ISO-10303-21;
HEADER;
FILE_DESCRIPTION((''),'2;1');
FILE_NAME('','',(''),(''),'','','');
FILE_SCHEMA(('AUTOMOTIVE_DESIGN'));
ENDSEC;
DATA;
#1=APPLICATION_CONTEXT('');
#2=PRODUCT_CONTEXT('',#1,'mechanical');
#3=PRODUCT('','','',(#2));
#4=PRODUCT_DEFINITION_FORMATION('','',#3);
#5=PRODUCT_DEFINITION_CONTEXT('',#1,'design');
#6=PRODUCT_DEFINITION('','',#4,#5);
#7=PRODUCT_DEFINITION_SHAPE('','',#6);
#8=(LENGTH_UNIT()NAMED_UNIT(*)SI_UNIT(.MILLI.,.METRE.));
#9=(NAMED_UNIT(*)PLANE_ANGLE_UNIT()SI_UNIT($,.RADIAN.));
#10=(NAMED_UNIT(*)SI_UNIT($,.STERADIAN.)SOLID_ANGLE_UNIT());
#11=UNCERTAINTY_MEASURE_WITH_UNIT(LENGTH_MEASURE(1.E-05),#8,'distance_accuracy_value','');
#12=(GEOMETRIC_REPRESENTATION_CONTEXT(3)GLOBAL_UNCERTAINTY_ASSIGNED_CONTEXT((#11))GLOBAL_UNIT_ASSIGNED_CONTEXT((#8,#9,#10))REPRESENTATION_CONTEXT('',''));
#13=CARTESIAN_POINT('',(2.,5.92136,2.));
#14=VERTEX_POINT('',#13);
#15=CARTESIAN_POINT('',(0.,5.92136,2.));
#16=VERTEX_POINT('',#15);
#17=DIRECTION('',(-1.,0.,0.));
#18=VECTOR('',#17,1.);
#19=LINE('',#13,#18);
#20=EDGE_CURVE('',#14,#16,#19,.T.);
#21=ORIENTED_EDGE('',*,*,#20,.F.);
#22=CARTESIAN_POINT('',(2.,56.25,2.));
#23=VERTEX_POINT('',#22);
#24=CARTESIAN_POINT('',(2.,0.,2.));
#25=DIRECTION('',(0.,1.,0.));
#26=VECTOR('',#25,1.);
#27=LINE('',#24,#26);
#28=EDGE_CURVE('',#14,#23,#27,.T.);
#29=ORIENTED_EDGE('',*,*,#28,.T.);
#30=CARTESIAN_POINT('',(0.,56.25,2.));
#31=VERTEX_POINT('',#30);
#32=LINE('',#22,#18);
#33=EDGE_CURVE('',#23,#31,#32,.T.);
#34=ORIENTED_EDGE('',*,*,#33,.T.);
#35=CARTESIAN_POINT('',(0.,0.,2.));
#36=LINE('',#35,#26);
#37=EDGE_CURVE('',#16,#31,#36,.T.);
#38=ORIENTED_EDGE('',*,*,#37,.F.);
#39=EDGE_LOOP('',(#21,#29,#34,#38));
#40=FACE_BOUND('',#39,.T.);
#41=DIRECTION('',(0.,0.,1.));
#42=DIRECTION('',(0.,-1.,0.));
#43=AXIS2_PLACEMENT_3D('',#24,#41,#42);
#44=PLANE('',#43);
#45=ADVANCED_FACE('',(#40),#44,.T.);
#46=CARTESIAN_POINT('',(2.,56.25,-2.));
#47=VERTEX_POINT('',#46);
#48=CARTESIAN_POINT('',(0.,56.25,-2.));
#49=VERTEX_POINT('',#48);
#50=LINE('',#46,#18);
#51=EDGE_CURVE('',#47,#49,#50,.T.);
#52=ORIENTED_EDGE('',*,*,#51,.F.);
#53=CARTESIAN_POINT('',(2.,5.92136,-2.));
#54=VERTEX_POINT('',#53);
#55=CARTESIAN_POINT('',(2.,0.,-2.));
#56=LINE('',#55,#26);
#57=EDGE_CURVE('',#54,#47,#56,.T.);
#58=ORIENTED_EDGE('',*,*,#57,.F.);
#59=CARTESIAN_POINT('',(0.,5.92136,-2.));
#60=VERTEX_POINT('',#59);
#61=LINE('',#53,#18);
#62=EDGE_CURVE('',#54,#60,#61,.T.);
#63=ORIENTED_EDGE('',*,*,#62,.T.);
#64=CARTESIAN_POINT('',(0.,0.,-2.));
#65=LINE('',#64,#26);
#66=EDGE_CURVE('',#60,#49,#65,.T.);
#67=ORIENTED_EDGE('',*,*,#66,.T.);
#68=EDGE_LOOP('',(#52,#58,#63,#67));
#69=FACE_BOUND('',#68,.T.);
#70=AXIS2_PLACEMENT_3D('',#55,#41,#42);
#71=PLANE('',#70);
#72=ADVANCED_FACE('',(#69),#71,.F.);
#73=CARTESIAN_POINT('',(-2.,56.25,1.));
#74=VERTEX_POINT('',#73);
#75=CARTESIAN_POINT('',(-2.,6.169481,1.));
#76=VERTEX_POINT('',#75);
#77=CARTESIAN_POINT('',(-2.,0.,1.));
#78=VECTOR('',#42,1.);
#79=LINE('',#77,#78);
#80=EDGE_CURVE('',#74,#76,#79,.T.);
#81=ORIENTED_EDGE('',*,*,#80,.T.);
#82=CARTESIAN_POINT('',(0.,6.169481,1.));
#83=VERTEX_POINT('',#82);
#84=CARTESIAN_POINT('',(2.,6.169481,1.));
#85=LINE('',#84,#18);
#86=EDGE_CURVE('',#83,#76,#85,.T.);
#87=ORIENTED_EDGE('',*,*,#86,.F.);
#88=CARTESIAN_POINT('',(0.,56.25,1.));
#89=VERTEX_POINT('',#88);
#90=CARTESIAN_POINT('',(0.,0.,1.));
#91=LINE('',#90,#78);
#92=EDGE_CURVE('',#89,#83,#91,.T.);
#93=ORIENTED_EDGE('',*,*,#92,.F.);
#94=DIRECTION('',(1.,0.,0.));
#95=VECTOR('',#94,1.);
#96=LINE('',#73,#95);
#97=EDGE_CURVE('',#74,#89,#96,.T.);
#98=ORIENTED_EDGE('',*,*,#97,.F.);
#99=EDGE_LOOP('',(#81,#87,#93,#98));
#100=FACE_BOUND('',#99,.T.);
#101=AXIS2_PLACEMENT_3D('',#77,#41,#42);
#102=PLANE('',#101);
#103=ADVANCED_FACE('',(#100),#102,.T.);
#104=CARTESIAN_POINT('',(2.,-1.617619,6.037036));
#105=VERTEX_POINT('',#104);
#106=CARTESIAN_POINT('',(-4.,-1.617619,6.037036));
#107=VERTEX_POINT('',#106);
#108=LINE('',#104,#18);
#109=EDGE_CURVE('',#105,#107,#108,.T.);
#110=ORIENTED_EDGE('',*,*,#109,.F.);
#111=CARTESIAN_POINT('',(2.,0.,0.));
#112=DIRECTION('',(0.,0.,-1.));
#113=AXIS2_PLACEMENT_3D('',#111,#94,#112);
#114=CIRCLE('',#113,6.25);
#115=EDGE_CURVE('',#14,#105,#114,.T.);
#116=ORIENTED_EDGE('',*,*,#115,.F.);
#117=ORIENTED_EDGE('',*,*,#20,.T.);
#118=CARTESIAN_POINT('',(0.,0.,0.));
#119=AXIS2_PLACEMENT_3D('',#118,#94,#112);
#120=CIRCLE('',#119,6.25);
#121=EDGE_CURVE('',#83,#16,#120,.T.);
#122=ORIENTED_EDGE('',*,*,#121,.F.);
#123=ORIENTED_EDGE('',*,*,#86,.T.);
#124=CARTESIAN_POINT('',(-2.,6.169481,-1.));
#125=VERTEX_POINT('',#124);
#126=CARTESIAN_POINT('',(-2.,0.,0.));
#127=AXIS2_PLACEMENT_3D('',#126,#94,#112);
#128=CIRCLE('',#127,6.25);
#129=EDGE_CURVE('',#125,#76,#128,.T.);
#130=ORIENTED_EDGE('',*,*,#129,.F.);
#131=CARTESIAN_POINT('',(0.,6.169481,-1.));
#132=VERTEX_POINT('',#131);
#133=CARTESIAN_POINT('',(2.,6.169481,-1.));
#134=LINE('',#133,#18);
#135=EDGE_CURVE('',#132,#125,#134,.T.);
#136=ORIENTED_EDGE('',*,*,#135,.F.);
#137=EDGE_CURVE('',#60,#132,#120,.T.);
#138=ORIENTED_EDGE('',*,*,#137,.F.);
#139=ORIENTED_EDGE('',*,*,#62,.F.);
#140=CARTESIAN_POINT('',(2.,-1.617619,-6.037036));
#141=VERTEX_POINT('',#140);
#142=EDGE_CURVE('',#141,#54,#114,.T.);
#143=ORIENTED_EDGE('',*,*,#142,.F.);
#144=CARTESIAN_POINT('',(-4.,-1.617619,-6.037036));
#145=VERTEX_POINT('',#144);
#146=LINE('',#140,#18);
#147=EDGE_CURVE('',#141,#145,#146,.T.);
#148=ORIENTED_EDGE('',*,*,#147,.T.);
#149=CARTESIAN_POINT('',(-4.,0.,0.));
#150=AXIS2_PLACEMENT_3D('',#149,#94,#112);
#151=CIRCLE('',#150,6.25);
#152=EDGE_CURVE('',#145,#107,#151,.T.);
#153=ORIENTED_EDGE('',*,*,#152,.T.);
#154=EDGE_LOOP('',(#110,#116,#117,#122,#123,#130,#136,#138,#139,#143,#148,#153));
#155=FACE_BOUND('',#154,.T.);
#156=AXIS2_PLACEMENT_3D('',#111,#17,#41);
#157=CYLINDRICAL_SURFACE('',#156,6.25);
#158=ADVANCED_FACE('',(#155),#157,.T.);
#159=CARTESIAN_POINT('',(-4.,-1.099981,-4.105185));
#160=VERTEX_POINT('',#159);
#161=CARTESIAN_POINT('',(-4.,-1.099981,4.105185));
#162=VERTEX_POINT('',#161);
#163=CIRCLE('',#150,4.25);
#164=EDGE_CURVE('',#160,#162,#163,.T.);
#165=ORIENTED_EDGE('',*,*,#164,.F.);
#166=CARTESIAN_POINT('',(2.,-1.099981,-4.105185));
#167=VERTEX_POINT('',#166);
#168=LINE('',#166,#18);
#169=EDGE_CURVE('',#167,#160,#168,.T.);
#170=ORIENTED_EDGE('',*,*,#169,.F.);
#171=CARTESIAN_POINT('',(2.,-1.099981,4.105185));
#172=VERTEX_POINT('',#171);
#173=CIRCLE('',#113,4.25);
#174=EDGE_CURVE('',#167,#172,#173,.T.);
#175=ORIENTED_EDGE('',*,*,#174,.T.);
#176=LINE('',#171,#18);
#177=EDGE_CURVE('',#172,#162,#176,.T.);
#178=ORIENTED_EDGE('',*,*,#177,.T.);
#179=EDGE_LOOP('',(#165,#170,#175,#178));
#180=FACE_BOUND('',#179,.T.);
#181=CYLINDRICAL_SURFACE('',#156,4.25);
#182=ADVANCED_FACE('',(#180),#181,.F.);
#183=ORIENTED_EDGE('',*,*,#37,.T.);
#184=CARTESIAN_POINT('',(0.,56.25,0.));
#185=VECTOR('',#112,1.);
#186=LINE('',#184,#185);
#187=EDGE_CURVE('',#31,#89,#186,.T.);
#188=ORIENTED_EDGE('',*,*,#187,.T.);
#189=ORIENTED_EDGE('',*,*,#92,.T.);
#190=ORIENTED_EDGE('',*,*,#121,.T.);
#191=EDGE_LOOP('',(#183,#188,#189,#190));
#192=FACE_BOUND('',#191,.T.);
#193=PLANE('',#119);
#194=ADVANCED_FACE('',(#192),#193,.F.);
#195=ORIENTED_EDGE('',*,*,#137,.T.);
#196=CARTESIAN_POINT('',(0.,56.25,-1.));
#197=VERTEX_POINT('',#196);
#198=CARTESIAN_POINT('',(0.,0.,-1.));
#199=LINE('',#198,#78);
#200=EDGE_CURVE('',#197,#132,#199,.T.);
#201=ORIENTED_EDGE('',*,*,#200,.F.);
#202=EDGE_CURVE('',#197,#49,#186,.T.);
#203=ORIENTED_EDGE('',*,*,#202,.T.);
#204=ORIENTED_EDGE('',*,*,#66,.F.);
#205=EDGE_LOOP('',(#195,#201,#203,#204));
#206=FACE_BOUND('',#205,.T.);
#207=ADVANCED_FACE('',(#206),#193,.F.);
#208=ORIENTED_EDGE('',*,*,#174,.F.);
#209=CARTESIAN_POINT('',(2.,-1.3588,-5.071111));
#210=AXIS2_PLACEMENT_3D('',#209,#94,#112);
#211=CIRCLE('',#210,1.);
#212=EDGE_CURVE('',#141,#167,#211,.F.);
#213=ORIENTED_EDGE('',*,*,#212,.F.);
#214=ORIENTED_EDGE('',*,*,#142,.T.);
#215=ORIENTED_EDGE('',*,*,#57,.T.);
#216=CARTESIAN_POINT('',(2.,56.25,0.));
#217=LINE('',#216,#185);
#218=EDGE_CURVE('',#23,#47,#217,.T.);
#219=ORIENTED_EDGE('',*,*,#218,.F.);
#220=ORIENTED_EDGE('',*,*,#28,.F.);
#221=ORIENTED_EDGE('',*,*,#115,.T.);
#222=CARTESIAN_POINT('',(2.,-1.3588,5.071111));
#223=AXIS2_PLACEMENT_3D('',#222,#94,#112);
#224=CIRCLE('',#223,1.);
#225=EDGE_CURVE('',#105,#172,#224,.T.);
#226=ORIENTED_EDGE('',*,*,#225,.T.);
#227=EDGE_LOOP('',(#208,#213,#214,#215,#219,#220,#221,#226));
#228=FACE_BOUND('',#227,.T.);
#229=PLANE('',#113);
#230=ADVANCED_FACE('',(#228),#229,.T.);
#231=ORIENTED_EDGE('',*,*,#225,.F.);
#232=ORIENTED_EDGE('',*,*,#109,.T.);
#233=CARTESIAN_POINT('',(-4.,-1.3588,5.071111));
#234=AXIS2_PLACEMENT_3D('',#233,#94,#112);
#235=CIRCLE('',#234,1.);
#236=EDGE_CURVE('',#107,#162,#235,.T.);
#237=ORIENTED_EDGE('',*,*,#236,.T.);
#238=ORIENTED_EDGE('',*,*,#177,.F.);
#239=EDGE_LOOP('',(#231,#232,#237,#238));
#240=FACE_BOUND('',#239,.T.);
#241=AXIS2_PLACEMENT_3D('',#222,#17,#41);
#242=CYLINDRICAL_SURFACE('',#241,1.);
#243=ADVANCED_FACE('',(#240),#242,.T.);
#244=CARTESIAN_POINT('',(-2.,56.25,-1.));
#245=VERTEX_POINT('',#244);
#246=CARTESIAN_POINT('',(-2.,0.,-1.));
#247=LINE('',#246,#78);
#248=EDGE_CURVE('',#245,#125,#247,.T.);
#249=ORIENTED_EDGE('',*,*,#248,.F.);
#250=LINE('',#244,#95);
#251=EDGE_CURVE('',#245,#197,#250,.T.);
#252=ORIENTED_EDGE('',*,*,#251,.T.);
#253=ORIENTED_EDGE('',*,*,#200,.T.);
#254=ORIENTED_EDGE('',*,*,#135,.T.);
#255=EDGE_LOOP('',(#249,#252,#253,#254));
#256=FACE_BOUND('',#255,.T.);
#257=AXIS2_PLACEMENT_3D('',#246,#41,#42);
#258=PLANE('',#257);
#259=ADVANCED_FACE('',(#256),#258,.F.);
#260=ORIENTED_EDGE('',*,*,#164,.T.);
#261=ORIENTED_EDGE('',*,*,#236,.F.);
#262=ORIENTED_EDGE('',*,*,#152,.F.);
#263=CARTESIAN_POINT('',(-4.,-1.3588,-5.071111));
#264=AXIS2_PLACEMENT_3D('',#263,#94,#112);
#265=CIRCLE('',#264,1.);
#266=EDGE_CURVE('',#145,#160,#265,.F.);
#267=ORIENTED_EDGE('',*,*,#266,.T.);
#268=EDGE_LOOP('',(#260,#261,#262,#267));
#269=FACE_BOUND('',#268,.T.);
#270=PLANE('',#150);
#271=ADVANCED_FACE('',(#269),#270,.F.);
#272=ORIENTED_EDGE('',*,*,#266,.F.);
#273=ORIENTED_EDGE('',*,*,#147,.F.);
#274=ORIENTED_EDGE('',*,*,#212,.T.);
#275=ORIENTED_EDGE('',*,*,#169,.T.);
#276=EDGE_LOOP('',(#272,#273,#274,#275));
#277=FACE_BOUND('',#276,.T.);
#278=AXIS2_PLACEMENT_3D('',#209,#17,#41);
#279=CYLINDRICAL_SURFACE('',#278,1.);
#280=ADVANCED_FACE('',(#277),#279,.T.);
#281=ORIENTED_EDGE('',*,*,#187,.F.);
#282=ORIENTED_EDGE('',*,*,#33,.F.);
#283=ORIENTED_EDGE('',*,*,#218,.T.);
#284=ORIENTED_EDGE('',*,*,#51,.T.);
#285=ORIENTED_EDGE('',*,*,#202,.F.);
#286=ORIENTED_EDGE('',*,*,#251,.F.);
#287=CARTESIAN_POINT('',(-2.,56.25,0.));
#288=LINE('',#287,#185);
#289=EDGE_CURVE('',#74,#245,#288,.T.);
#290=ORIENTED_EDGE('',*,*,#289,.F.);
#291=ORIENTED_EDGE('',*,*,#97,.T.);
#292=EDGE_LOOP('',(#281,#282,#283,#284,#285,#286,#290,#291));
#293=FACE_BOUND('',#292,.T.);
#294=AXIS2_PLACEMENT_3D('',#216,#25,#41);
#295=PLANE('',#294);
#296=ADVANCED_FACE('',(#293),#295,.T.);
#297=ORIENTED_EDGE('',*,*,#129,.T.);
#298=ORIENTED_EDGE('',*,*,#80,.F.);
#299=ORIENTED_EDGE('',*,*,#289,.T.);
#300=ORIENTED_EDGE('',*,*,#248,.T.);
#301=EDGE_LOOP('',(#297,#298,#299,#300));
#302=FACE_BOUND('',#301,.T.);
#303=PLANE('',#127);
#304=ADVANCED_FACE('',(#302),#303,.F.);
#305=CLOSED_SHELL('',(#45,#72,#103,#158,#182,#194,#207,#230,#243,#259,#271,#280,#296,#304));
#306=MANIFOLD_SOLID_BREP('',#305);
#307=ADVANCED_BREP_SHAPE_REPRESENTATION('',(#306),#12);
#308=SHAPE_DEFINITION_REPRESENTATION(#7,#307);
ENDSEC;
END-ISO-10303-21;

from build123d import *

# Parameters (mm, degrees)
BOSS_EXTRUDE1_DEPTH      = 2
BOSS_EXTRUDE1_DEPTH_BACK = 4
BOSS_EXTRUDE2_DEPTH      = 2
BOSS_EXTRUDE3_DEPTH      = 2


with BuildPart() as part:
    # Sketch1 → Boss-Extrude1 (new body, two sides)
    with BuildSketch(Plane(origin=(0, 0, 0), x_dir=(0, 0, -1), z_dir=(1, 0, 0))) as boss_extrude1_sk:
        with BuildLine():
            Line((-6.25, 0), (-4.25, 0))
            ThreePointArc((-4.25, 0), (0, 4.25), (4.25, 0))
            ThreePointArc((4.25, 0), (4.213640661, -0.554736317), (4.105184762, -1.099980942))
            Line((4.105184762, -1.099980942), (6.037036414, -1.617619032))
            ThreePointArc((6.037036414, -1.617619032), (6.196530384, -0.815788701), (6.25, 0))
            ThreePointArc((6.25, 0), (0, 6.25), (-6.25, 0))
        make_face()
        with BuildLine():
            Line((6.037036414, -1.617619032), (4.105184762, -1.099980942))
            ThreePointArc((4.105184762, -1.099980942), (4.812291543, -2.324725813), (6.037036414, -1.617619032))
        make_face()
        with BuildLine():
            ThreePointArc((-4.105184762, -1.099980942), (-4.213640661, -0.554736317), (-4.25, 0))
            Line((-4.25, 0), (-6.25, 0))
            ThreePointArc((-6.25, 0), (-6.196530384, -0.815788701), (-6.037036414, -1.617619032))
            Line((-6.037036414, -1.617619032), (-5.071110588, -1.358799987))
            Line((-5.071110588, -1.358799987), (-4.105184762, -1.099980942))
        make_face()
        with BuildLine():
            ThreePointArc((-6.037036414, -1.617619032), (-4.812291543, -2.324725813), (-4.105184762, -1.099980942))
            Line((-4.105184762, -1.099980942), (-5.071110588, -1.358799987))
            Line((-5.071110588, -1.358799987), (-6.037036414, -1.617619032))
        make_face()
    extrude(amount=BOSS_EXTRUDE1_DEPTH)
    extrude(boss_extrude1_sk.sketch, amount=-BOSS_EXTRUDE1_DEPTH_BACK)

    # Sketch2 → Boss-Extrude2 (add)
    with BuildSketch(Plane(origin=(0, 0, 0), x_dir=(0, 0, -1), z_dir=(1, 0, 0))):
        Polygon((-2, 4.25), (0, 4.25), (2, 4.25), (2, 56.25), (-2, 56.25), align=None)
    extrude(amount=BOSS_EXTRUDE2_DEPTH)

    # Sketch3 → Boss-Extrude3 (add)
    with BuildSketch(Plane(origin=(0, 0, 0), x_dir=(0, 0, -1), z_dir=(1, 0, 0))):
        Polygon((1, 56.25), (0, 56.25), (-1, 56.25), (-1, 4.25), (1, 4.25), align=None)
    extrude(amount=-BOSS_EXTRUDE3_DEPTH)


solid = part.part
